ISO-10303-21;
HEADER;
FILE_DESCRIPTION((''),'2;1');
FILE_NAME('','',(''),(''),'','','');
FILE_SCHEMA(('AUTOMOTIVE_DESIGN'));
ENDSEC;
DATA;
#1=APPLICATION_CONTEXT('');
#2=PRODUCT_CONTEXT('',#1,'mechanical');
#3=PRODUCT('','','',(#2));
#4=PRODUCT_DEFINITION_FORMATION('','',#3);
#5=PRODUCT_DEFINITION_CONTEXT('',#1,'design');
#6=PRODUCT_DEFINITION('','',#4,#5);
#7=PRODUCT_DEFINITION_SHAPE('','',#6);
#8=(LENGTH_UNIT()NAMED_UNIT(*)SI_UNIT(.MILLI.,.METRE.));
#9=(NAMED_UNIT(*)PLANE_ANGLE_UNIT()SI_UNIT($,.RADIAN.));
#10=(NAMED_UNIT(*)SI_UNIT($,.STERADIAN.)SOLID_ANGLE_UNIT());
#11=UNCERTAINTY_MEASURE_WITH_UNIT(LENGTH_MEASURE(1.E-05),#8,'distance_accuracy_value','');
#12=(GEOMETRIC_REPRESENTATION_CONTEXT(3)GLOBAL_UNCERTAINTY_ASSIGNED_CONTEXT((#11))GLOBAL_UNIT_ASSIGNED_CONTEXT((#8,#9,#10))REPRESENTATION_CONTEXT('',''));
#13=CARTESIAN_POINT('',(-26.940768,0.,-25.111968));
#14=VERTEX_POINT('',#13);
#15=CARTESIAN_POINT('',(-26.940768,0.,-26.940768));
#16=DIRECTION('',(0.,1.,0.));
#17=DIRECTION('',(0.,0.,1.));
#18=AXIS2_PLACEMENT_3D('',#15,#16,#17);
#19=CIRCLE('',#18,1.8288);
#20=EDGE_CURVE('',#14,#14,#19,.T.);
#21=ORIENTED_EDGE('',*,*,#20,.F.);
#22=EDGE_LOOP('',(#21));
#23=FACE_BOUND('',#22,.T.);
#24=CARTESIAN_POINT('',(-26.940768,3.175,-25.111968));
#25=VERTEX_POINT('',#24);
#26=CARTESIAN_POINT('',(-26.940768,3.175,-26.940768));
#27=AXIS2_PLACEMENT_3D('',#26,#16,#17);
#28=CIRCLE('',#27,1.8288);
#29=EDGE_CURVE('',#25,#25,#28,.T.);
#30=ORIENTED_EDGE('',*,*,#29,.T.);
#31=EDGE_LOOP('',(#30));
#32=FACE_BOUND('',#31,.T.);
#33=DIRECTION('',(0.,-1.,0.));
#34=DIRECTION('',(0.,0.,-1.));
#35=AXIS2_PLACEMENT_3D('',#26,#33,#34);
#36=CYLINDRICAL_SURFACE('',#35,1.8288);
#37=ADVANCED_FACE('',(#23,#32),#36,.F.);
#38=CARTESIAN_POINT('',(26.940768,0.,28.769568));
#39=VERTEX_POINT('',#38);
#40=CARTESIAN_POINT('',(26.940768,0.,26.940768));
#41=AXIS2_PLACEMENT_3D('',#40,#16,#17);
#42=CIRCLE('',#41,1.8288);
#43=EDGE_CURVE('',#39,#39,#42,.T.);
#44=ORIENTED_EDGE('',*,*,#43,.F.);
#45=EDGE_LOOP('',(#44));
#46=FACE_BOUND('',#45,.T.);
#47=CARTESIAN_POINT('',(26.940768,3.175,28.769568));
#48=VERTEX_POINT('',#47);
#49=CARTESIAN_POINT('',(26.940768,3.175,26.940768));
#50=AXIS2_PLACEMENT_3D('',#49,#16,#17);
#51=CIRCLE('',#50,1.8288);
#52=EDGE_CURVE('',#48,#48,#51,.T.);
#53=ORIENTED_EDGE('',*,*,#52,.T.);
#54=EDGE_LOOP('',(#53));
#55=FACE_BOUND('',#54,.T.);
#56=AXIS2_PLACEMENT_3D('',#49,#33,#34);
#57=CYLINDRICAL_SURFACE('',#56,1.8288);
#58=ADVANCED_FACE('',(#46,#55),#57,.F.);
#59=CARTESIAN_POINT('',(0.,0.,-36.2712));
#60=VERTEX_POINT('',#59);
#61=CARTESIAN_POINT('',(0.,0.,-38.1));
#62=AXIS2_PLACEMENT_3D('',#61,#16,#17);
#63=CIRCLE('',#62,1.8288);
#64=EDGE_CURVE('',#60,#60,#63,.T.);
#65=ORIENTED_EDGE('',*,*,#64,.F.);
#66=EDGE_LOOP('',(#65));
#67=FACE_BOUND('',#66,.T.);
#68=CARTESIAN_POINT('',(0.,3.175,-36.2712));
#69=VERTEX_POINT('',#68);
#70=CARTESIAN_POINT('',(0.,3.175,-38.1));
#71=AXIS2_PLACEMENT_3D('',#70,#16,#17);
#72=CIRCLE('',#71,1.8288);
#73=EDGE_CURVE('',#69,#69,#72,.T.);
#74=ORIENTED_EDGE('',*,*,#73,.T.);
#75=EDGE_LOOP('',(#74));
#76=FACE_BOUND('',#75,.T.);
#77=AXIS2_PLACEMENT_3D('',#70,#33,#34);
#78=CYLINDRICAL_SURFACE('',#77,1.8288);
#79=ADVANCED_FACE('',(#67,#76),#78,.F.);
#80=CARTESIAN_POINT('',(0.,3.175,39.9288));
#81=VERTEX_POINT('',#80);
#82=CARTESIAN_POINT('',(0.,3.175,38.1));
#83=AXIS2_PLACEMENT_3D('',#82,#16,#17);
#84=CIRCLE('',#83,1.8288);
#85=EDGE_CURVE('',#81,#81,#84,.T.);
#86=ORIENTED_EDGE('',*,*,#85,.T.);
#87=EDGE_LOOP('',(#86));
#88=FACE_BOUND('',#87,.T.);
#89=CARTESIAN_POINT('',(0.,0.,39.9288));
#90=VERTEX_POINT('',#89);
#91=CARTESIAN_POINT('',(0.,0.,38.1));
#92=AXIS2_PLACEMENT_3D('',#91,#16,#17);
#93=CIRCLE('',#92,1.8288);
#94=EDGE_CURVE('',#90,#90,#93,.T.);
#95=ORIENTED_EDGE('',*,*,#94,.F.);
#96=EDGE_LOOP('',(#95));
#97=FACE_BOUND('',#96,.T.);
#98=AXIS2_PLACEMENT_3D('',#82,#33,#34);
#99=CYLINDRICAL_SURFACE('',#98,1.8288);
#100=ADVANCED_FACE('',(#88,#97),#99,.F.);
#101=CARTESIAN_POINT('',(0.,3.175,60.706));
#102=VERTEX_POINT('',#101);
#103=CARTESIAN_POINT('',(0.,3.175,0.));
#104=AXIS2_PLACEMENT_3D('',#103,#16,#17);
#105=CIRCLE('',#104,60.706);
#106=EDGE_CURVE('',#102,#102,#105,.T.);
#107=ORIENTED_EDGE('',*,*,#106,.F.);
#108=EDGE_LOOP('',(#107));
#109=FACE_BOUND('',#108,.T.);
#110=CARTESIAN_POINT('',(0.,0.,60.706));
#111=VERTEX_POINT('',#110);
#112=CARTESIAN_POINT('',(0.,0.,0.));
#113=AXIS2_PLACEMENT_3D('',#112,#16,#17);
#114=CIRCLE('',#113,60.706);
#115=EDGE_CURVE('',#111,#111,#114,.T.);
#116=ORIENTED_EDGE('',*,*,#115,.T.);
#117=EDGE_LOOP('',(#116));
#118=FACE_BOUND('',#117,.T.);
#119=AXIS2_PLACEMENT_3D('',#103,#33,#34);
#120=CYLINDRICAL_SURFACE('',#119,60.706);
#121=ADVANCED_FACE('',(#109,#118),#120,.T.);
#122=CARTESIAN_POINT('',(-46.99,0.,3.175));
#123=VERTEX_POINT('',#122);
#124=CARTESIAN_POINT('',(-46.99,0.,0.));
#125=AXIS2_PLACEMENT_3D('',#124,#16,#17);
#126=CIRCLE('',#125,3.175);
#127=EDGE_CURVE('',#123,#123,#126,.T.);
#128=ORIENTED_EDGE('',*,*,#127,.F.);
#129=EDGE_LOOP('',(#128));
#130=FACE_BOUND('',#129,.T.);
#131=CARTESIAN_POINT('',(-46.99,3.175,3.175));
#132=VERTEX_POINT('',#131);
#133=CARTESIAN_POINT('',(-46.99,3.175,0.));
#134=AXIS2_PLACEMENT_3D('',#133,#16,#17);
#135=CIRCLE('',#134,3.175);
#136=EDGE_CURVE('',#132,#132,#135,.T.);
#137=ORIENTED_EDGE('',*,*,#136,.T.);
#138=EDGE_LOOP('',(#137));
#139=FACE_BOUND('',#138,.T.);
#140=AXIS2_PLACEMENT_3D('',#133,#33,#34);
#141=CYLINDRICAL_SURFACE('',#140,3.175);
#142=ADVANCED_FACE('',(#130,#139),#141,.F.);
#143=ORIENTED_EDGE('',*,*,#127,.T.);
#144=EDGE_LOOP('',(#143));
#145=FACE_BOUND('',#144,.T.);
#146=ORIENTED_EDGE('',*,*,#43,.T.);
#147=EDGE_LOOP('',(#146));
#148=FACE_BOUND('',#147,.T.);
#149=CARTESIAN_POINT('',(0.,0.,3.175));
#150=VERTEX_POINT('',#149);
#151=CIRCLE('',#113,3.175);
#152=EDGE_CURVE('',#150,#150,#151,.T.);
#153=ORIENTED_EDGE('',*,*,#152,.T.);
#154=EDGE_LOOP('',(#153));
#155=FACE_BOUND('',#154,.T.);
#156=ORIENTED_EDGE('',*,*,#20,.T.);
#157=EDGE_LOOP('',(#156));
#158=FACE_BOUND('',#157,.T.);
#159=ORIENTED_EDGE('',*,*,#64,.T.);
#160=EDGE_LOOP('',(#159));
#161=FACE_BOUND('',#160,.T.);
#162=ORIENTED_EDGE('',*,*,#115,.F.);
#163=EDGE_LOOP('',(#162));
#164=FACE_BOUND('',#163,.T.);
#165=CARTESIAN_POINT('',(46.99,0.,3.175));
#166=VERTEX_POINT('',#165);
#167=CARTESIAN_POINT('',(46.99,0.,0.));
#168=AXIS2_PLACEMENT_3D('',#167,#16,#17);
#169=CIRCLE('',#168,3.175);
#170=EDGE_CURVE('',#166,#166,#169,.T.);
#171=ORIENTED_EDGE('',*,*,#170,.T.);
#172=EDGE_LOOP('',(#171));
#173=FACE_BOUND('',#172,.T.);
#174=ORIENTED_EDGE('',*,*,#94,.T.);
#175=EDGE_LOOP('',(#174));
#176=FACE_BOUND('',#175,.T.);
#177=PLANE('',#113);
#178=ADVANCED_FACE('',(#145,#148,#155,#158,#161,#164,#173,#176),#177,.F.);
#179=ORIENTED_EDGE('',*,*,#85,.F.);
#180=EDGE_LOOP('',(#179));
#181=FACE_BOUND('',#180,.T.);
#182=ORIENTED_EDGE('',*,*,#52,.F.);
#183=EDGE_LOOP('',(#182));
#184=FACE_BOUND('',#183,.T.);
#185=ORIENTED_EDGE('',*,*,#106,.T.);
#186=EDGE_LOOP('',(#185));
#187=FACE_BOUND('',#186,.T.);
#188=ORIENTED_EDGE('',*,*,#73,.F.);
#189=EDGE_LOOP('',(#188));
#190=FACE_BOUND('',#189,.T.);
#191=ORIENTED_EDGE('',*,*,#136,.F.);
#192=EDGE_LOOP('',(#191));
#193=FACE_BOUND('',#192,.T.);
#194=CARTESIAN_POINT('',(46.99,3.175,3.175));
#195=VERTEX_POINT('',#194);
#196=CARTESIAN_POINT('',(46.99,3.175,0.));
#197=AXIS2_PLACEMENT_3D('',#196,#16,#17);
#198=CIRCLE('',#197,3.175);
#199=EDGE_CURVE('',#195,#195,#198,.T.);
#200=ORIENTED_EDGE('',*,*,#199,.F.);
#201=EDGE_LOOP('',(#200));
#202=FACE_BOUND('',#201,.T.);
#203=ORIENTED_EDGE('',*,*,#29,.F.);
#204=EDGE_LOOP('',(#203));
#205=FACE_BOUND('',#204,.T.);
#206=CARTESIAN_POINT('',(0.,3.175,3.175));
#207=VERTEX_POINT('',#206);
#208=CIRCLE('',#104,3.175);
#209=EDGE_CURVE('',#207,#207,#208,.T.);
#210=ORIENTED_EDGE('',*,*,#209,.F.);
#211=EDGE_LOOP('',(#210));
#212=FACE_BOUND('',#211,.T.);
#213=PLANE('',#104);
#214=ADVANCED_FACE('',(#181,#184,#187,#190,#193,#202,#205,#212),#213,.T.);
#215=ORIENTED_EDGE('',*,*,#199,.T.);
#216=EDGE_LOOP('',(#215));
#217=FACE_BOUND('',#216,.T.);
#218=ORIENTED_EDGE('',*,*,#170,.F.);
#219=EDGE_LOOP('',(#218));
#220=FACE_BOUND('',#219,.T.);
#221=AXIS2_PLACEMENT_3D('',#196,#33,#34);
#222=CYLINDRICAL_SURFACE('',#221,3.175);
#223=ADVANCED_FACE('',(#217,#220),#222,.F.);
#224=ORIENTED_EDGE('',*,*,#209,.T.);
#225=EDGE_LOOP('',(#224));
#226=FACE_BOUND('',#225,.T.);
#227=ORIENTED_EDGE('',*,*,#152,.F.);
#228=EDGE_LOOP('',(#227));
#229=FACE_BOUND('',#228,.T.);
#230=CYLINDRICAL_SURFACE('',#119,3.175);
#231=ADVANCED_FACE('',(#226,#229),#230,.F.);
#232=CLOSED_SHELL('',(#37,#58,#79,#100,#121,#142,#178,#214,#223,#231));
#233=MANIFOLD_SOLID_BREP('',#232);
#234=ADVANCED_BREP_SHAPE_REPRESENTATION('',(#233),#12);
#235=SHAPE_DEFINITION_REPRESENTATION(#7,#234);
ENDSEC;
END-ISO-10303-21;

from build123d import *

# Parameters (mm, degrees)
SKETCH2_R           = 60.706
SKETCH2_R_2         = 3.175
SKETCH2_R_3         = 1.8288
BOSS_EXTRUDE1_DEPTH = 3.175


with BuildPart() as part:
    # Sketch2 → Boss-Extrude1 (new body)
    with BuildSketch(Plane(origin=(0, 0, 0), x_dir=(1, 0, 0), z_dir=(0, 1, 0))):
        Circle(SKETCH2_R)
        with Locations((-46.99, 0)):
            Circle(SKETCH2_R_2, mode=Mode.SUBTRACT)
        with Locations((46.99, 0)):
            Circle(SKETCH2_R_2, mode=Mode.SUBTRACT)
        Circle(SKETCH2_R_2, mode=Mode.SUBTRACT)
        with Locations((0, 38.1)):
            Circle(SKETCH2_R_3, mode=Mode.SUBTRACT)
        with Locations((0, -38.1)):
            Circle(SKETCH2_R_3, mode=Mode.SUBTRACT)
        with Locations((-26.940768363, 26.940768363)):
            Circle(SKETCH2_R_3, mode=Mode.SUBTRACT)
        with Locations((26.940768363, -26.940768363)):
            Circle(SKETCH2_R_3, mode=Mode.SUBTRACT)
    extrude(amount=BOSS_EXTRUDE1_DEPTH)


solid = part.part
